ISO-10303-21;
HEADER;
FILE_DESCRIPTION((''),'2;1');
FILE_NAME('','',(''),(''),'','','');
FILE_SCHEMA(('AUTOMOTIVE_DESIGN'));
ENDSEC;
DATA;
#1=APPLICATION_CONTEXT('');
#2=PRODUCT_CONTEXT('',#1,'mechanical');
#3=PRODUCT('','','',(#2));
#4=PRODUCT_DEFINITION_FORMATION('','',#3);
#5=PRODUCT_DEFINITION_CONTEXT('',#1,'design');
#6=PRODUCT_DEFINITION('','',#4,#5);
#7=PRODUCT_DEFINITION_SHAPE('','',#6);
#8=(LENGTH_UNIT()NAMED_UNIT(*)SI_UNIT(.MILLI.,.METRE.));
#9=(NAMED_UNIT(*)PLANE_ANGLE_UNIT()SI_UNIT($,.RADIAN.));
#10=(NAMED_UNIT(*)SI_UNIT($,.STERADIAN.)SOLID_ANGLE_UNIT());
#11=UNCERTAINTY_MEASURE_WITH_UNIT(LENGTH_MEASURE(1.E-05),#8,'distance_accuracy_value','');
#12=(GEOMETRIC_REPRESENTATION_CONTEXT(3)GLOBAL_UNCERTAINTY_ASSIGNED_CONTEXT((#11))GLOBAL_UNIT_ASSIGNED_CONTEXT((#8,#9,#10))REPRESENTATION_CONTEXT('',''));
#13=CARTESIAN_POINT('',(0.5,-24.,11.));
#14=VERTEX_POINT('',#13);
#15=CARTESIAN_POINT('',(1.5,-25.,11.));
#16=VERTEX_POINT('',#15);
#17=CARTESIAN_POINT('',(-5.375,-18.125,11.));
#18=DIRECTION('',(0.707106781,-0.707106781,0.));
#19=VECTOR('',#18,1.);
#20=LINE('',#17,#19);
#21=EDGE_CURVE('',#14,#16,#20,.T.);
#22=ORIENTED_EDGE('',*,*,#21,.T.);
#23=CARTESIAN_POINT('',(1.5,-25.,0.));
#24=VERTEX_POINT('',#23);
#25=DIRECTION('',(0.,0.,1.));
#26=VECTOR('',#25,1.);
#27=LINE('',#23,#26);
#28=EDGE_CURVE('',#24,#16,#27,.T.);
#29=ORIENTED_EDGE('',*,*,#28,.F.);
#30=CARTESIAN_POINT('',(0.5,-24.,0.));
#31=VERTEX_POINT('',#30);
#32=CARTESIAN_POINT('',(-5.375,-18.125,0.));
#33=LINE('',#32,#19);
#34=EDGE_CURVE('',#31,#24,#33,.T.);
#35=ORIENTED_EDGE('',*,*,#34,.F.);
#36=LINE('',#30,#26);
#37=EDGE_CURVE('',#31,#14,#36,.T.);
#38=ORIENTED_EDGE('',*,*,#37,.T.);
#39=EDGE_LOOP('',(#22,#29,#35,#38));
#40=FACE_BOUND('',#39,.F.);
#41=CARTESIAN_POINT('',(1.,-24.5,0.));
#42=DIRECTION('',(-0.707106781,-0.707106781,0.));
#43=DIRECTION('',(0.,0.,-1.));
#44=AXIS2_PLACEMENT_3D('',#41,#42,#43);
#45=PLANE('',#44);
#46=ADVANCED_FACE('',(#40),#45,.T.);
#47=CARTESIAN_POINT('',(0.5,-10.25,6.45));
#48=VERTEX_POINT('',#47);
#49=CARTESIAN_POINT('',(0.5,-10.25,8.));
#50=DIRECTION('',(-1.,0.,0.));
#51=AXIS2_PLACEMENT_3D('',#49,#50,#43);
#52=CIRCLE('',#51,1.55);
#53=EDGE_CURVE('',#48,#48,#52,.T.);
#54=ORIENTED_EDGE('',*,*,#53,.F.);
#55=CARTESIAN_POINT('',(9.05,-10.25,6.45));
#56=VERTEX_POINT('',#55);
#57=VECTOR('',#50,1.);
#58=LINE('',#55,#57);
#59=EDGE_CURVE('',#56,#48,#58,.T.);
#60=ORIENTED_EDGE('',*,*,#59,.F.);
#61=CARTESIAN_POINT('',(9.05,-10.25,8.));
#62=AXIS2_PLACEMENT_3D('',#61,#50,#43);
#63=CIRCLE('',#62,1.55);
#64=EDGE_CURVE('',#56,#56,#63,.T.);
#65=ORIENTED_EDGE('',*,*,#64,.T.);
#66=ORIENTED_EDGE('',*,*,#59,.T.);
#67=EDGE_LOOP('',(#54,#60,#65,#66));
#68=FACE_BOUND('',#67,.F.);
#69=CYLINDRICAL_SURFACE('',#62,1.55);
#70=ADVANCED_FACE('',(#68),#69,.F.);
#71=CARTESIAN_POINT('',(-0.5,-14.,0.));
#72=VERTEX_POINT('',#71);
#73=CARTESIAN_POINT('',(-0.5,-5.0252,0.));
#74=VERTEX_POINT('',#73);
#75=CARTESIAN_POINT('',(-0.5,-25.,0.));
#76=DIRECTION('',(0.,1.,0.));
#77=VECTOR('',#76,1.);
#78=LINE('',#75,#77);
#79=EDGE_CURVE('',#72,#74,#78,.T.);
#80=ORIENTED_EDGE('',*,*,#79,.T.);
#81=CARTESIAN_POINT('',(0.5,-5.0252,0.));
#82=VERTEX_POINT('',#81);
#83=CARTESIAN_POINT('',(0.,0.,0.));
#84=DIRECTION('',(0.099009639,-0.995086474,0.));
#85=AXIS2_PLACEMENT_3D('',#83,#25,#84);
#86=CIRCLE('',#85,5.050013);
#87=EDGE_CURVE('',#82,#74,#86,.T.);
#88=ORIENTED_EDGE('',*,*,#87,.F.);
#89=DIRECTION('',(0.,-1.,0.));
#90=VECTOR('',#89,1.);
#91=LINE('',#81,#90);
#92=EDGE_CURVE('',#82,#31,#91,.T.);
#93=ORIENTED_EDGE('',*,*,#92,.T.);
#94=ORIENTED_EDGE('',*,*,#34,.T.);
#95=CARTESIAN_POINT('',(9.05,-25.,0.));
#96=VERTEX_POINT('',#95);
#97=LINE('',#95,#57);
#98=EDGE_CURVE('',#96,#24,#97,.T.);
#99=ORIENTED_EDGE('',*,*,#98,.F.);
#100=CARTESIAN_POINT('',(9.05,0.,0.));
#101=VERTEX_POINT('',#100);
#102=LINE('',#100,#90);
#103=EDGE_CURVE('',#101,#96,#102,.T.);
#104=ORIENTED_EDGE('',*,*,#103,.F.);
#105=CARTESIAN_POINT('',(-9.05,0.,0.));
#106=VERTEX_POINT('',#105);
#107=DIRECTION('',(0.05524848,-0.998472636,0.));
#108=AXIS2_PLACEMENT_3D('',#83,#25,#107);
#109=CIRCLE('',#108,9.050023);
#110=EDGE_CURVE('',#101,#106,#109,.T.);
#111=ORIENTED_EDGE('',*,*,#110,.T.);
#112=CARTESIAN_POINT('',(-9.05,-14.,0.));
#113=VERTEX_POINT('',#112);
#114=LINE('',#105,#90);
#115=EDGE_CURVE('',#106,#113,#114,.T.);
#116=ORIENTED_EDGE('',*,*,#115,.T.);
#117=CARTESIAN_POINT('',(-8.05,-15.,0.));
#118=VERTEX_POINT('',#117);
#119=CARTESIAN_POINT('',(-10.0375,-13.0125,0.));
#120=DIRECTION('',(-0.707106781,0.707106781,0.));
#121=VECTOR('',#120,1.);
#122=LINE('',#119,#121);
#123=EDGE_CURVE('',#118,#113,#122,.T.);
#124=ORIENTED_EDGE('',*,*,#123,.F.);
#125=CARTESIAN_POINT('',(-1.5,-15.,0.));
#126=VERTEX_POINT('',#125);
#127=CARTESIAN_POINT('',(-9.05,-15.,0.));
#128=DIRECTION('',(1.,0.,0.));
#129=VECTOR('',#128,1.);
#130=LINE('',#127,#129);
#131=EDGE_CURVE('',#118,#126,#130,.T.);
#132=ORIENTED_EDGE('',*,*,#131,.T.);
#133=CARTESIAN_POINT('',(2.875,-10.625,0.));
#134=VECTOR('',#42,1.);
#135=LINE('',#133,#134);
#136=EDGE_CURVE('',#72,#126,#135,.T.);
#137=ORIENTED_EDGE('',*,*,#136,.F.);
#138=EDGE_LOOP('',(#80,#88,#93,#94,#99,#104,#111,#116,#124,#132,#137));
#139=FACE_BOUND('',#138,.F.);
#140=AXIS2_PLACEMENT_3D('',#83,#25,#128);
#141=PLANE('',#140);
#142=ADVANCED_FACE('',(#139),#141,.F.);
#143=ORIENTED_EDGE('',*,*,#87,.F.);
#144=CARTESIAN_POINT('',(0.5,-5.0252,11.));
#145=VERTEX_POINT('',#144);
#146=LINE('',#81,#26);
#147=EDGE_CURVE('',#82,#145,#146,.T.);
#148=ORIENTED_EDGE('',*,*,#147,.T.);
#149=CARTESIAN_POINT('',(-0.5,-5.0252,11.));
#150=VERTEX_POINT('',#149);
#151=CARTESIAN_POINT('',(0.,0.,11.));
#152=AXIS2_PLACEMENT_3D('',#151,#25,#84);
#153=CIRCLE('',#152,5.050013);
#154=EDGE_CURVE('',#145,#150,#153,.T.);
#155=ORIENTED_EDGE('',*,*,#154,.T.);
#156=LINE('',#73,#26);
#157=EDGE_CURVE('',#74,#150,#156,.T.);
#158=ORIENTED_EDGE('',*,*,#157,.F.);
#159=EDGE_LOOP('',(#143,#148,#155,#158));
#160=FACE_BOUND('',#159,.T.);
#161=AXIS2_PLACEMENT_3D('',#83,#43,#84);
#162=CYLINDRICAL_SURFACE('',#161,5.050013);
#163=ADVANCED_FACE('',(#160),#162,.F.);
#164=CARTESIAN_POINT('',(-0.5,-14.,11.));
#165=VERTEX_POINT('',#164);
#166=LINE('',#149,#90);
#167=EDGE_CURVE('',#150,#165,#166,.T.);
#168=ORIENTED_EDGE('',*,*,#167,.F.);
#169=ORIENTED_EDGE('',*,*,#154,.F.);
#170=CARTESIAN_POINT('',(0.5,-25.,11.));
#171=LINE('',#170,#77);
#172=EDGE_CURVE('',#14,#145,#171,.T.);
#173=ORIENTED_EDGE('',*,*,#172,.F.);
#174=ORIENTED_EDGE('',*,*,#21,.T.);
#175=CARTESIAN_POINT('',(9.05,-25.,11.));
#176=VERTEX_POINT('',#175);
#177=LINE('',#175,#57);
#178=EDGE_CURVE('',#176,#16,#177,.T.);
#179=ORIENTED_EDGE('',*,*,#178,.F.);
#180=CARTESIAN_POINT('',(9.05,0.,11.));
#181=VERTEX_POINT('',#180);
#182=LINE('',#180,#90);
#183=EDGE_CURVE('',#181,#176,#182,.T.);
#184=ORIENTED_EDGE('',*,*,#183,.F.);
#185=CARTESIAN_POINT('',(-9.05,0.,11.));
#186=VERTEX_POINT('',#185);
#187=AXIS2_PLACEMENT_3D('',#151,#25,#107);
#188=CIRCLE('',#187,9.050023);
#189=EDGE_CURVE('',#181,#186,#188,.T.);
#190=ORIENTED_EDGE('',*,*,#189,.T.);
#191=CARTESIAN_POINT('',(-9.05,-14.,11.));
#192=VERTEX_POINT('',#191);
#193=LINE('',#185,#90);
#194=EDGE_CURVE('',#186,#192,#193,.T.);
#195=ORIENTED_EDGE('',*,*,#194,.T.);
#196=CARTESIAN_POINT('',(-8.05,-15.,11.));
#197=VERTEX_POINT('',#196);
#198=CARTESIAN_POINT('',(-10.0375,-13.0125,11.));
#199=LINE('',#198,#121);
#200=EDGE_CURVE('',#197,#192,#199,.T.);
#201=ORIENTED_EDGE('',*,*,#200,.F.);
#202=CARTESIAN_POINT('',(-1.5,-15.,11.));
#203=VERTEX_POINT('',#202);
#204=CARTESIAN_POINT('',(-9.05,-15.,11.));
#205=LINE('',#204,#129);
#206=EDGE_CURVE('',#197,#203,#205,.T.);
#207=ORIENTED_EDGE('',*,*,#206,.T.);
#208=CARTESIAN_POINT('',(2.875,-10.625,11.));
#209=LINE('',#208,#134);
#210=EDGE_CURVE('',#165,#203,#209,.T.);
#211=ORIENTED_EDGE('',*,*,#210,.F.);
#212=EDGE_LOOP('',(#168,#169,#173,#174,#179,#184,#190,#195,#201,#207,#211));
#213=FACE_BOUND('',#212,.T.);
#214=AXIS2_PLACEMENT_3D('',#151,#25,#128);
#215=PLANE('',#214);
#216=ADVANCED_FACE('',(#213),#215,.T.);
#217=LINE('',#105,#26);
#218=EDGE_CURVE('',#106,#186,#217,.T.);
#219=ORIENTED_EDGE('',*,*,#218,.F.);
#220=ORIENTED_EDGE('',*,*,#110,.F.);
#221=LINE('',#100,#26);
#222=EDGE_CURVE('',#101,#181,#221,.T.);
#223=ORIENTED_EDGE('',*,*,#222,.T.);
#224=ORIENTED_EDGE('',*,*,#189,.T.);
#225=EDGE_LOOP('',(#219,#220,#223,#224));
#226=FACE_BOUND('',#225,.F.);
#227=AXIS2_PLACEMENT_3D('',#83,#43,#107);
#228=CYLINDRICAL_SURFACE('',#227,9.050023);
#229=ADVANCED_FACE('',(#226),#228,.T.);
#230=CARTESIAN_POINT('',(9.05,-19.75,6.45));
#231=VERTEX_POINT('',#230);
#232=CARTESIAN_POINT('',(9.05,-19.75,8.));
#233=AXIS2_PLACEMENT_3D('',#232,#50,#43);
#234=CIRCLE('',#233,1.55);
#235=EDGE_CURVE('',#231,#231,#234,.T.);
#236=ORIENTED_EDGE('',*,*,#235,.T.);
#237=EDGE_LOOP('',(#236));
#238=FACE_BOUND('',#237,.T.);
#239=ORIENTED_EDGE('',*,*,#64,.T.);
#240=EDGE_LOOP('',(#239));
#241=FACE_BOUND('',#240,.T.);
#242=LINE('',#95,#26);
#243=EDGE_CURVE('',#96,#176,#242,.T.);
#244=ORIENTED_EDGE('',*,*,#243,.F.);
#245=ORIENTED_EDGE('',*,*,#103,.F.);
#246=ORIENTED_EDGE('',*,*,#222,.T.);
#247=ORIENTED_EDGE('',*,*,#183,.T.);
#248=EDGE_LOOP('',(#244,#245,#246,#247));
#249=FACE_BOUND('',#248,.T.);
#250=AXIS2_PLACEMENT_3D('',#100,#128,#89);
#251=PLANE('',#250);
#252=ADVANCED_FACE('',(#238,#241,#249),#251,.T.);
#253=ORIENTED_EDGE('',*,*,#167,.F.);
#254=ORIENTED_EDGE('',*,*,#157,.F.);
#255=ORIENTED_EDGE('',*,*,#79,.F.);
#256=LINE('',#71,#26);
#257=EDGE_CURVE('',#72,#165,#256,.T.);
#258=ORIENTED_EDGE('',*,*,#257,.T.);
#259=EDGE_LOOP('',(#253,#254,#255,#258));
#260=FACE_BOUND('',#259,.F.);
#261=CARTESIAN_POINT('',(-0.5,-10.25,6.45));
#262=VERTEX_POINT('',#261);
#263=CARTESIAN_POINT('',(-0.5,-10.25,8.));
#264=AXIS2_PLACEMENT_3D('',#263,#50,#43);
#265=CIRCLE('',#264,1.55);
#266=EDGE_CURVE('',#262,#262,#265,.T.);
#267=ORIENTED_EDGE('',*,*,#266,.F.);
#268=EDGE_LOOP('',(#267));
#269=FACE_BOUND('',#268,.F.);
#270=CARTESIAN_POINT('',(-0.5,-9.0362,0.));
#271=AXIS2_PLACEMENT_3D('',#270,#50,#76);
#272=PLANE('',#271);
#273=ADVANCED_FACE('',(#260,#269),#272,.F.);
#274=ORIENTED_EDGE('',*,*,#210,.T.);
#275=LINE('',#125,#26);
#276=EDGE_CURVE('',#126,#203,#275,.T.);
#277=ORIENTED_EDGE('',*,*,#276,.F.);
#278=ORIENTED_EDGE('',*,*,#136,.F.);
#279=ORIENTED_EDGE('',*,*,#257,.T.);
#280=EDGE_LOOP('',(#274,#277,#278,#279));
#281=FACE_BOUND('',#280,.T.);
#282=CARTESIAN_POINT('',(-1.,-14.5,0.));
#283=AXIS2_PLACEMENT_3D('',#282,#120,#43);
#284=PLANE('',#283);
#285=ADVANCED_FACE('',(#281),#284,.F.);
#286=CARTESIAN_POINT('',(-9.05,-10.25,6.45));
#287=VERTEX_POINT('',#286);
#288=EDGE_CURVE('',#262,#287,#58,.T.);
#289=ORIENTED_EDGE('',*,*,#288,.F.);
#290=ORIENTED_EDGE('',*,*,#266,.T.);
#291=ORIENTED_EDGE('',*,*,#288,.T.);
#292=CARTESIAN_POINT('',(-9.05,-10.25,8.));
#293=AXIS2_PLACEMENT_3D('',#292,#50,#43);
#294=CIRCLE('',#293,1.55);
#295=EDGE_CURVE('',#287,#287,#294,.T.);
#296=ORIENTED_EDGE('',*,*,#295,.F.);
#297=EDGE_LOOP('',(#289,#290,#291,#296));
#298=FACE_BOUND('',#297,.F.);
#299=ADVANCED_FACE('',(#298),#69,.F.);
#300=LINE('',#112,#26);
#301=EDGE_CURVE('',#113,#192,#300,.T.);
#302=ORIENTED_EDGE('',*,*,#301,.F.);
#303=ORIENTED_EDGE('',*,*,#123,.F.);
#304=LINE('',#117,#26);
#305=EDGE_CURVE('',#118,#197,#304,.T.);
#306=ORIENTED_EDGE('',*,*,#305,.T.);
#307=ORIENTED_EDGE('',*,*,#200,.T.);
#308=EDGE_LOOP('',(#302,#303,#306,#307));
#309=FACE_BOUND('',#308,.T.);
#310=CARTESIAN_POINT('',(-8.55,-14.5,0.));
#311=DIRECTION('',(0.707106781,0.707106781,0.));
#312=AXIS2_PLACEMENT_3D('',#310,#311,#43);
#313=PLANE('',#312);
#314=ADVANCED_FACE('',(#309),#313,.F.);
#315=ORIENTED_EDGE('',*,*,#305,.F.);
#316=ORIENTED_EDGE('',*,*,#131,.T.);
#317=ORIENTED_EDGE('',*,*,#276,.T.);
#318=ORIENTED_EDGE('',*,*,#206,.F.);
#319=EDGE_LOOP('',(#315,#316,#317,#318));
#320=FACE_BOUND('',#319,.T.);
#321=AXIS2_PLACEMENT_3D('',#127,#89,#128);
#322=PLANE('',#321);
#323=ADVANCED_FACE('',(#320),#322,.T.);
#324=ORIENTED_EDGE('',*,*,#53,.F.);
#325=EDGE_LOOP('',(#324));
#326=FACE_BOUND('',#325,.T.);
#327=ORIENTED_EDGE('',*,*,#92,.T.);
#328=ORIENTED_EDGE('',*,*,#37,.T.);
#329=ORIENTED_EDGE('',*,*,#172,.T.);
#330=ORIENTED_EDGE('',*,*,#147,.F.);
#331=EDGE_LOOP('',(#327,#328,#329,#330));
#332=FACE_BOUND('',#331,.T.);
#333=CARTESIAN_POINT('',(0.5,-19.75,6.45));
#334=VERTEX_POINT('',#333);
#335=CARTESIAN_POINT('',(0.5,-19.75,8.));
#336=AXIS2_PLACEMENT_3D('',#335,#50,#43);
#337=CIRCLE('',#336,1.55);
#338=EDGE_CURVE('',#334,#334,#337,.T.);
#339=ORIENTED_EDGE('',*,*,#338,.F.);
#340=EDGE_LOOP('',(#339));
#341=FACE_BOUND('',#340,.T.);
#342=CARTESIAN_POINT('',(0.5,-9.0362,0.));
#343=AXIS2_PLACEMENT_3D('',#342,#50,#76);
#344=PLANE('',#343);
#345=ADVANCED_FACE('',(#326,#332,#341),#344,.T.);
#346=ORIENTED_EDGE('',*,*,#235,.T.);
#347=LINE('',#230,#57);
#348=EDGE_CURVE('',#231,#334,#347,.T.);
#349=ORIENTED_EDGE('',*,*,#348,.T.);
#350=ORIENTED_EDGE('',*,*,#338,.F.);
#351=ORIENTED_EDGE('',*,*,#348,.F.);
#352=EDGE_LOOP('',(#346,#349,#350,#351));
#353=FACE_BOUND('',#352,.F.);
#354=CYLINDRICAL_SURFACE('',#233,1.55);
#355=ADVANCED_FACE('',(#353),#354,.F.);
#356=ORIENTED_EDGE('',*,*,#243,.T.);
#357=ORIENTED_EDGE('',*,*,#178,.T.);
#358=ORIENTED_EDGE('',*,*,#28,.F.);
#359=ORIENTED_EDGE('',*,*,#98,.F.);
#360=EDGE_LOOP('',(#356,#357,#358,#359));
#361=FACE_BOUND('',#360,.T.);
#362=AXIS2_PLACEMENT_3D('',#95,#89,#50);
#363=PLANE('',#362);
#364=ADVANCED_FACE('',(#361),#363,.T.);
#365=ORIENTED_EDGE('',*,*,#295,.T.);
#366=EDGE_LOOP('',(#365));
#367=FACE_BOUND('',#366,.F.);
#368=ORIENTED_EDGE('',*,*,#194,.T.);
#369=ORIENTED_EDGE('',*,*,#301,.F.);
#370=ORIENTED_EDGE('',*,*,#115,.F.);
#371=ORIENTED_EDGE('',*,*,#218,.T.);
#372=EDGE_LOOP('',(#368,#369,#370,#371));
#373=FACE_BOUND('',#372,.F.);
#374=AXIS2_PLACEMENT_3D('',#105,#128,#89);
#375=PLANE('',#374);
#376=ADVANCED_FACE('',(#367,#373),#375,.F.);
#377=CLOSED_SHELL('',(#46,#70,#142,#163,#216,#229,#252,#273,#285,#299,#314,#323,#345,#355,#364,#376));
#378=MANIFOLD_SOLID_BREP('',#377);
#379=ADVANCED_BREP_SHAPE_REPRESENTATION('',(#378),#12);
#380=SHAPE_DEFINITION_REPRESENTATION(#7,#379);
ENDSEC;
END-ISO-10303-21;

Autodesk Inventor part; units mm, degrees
ref_plane "YZ Plane" through (0, 0, 0) normal (1, 0, 0) x (0, 1, 0)
ref_plane "XZ Plane" through (0, 0, 0) normal (0, 1, 0) x (-1, 0, 0)
ref_plane "XY Plane" through (0, 0, 0) normal (0, 0, 1) x (1, 0, 0)
sketch "Szkic1" plane through (0, 0, 0) normal (0, 0, 1) x (1, 0, 0)
  arc A0 (0.5, -5.0252) -> (-0.5, -5.0252) centre (0, 0) ccw
  arc A1 (0.5, -9.0362) -> (-0.5, -9.0362) centre (0, 0) ccw
  line L0 (-9.05, 0) -> (-9.05, -25)
  line L1 (-9.05, -25) -> (-0.5, -25)
  line L2 (9.05, 0) -> (9.05, -25)
  line L3 (9.05, -25) -> (0.5, -25)
  line L4 (-0.5, -25) -> (-0.5, -5.0252)
  line L5 (0.5, -25) -> (0.5, -5.0252)
  dimension "d0" = 10.1
  dimension "d1" = 4
  dimension "d2" = 8.55
  dimension "d3" = 8.55
  dimension "d4" = 25
  dimension "d5" = 25
  dimension "d7" = 1
extrude "Wyciągnięcie proste1" add sketch "Szkic1" along normal blind 11
sketch "Szkic2" plane through (9.05, -25, 0) normal (1, 0, 0) x (0, 0, -1)
  line L0 (0, 0) -> (0, 25) projected
  line L1 (0, 25) -> (-11, 25) projected
  line L2 (-11, 0) -> (-11, 25) projected
  line L3 (0, 0) -> (-11, 0) projected
  line L4 (0, 20) -> (-11, 20)
  line L5 (-11, 25) -> (-11, 0) projected
  point P0 (-8, 5.25)
  point P1 (-8, 14.75)
  dimension "d10" = 5.25
  dimension "d11" = 20
  dimension "d12" = 5.25
  dimension "d13" = 11
  dimension "d14" = 3
  dimension "d15" = 3
hole "Otwór1" at (9.05, -19.75, 8) at (9.05, -10.25, 8) direction (-1, 0, 0) diameter 3.1 end through all
sketch "Szkic3" plane through (-9.05, -25, 0) normal (0, -1, 0) x (1, 0, 0)
  line L0 (0, 0) -> (8.55, 0) projected
  line L1 (8.55, 0) -> (8.55, 11) projected
  line L2 (0, 11) -> (8.55, 11) projected
  line L3 (0, 0) -> (0, 11) projected
  point P0 (9.05, 0)
extrude "Wyciągnięcie proste2" cut sketch "Szkic3" against normal blind 10
chamfer "Faza1" distance 1 angle 45 3 edges at (-9.05, -15, 5.5) (-0.5, -15, 5.5) (0.5, -25, 5.5)
equation "\"d3\" = d2"
equation "\"d4\" = d5"
properties part number "3DP_ABS_X_Axis_Endstop_Mount"
